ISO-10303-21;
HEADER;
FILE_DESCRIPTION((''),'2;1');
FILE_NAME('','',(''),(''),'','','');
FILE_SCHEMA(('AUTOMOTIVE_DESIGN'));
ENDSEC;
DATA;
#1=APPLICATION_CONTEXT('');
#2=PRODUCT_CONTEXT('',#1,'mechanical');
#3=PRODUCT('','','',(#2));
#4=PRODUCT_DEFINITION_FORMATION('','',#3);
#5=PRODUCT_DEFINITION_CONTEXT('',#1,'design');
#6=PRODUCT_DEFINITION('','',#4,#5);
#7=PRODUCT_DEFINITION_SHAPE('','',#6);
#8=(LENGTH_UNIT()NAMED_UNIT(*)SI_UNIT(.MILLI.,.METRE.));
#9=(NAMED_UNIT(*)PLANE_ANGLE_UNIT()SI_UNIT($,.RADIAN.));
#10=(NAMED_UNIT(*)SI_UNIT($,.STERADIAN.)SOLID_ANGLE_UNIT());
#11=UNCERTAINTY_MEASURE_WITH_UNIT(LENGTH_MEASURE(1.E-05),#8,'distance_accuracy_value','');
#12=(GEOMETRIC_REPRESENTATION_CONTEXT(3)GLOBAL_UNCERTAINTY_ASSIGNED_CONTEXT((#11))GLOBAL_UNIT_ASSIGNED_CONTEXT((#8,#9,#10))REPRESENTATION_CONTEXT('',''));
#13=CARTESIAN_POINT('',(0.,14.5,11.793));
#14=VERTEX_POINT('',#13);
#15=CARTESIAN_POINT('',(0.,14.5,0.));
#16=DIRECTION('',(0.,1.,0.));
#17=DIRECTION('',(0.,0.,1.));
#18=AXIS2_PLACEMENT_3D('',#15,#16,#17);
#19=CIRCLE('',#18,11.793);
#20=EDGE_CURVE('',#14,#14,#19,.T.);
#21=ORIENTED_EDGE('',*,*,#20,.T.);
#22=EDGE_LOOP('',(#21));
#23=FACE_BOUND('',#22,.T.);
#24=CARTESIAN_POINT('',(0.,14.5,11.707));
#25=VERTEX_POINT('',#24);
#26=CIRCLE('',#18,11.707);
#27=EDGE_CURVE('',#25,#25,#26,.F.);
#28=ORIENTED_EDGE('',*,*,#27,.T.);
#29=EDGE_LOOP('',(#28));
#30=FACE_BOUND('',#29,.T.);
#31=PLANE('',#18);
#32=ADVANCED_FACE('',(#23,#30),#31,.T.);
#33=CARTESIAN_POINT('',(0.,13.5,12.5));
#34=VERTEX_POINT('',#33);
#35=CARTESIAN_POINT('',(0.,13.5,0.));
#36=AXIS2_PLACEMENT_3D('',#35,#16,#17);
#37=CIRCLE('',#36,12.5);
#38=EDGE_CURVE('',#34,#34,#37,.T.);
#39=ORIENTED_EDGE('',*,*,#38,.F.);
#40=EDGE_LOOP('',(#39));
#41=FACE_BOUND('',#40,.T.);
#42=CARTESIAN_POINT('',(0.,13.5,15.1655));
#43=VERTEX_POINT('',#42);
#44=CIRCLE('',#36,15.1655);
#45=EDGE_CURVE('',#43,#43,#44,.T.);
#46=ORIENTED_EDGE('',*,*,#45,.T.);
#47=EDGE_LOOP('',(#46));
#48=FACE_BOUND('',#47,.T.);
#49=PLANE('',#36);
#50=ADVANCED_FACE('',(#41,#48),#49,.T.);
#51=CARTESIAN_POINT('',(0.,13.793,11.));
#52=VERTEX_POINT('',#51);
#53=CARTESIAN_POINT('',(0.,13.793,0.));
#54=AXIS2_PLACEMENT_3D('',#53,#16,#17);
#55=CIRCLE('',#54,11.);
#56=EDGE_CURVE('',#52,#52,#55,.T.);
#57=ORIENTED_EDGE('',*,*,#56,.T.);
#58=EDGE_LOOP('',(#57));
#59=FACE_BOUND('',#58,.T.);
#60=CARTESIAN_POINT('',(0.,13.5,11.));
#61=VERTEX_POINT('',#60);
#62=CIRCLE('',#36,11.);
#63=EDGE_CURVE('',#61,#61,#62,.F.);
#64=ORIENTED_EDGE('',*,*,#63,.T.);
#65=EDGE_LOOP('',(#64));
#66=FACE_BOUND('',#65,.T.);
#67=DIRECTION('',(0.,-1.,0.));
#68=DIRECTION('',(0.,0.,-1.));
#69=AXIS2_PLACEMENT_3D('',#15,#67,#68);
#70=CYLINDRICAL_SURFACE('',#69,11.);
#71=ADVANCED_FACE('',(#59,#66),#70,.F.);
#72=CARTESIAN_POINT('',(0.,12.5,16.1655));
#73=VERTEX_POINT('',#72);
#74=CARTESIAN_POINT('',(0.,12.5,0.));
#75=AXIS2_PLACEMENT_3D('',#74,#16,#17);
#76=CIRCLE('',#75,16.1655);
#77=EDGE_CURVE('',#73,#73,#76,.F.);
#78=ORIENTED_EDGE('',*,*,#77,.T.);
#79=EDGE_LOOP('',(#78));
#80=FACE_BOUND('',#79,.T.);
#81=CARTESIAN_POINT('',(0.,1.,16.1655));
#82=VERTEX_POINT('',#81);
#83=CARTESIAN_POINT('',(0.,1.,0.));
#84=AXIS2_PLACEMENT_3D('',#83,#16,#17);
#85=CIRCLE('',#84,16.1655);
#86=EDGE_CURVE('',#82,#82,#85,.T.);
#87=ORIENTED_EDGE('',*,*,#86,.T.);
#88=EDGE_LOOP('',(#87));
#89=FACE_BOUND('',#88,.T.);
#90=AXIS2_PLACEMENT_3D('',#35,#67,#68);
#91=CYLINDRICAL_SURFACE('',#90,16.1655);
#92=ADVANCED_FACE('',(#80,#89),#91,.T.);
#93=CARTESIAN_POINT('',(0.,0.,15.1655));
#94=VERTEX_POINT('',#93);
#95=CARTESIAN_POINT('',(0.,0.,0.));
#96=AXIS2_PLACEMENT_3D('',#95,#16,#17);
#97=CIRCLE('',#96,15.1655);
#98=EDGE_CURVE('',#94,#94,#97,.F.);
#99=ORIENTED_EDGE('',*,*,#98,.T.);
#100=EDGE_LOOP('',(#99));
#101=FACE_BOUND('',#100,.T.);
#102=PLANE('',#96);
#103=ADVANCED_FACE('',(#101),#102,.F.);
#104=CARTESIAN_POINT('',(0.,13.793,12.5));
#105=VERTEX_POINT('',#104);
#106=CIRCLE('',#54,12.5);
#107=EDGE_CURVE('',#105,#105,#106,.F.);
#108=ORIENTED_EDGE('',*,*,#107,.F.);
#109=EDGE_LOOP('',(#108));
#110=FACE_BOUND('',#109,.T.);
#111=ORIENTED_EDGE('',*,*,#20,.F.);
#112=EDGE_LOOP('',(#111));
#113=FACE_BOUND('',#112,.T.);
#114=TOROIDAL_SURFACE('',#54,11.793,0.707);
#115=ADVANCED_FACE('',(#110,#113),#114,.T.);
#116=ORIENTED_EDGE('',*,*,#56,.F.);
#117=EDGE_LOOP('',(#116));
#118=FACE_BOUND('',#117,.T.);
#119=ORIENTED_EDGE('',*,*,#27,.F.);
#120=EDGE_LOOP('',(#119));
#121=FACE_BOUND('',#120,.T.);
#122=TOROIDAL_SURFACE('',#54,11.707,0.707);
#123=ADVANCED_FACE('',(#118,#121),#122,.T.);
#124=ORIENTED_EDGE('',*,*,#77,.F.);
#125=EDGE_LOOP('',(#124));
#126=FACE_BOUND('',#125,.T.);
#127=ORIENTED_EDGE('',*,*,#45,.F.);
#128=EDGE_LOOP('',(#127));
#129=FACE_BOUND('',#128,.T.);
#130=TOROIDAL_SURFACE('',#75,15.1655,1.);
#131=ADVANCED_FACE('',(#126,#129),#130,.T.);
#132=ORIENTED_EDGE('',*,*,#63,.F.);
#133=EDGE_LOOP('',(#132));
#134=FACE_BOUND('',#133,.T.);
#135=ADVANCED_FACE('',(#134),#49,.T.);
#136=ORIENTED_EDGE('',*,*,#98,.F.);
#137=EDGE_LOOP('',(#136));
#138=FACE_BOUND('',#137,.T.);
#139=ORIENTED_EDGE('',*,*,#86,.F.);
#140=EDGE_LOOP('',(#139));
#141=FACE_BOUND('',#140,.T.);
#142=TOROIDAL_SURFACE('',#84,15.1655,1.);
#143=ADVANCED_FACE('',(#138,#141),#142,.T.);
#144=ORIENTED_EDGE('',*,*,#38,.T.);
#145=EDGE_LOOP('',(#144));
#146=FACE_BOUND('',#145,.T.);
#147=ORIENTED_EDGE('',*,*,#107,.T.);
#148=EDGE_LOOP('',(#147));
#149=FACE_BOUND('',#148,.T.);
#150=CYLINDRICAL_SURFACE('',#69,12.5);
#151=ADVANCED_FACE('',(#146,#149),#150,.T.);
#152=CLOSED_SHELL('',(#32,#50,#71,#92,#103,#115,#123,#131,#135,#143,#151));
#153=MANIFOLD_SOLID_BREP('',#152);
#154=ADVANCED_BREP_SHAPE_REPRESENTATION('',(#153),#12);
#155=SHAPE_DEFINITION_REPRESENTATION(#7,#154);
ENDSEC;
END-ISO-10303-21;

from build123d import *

# Parameters (mm, degrees)
SKETCH1_R           = 16.1655
BOSS_EXTRUDE1_DEPTH = 13.5
FILLET1_R           = 1
SKETCH2_R           = 12.5
SKETCH2_R_2         = 11
BOSS_EXTRUDE2_DEPTH = 1
FILLET4_R           = 0.707


with BuildPart() as part:
    # Sketch1 → Boss-Extrude1 (new body)
    with BuildSketch(Plane(origin=(0, 0, 0), x_dir=(1, 0, 0), z_dir=(0, 1, 0))):
        Circle(SKETCH1_R)
    extrude(amount=BOSS_EXTRUDE1_DEPTH)

    # Fillet1
    fillet1_edges = [part.edges().sort_by_distance(p)[0] for p in [
        (-16.1655, 0, 0),
        (-16.1655, 13.5, 0),
    ]]
    fillet(fillet1_edges, radius=FILLET1_R)

    # Sketch2 → Boss-Extrude2 (add)
    with BuildSketch(Plane(origin=(0, 13.5, 0), x_dir=(1, 0, 0), z_dir=(0, 1, 0))):
        Circle(SKETCH2_R)
        Circle(SKETCH2_R_2, mode=Mode.SUBTRACT)
    extrude(amount=BOSS_EXTRUDE2_DEPTH)

    # Fillet4
    fillet4_edges = [part.edges().sort_by_distance(p)[0] for p in [
        (-12.5, 14.5, 0),
        (-11, 14.5, 0),
    ]]
    fillet(fillet4_edges, radius=FILLET4_R)


solid = part.part
